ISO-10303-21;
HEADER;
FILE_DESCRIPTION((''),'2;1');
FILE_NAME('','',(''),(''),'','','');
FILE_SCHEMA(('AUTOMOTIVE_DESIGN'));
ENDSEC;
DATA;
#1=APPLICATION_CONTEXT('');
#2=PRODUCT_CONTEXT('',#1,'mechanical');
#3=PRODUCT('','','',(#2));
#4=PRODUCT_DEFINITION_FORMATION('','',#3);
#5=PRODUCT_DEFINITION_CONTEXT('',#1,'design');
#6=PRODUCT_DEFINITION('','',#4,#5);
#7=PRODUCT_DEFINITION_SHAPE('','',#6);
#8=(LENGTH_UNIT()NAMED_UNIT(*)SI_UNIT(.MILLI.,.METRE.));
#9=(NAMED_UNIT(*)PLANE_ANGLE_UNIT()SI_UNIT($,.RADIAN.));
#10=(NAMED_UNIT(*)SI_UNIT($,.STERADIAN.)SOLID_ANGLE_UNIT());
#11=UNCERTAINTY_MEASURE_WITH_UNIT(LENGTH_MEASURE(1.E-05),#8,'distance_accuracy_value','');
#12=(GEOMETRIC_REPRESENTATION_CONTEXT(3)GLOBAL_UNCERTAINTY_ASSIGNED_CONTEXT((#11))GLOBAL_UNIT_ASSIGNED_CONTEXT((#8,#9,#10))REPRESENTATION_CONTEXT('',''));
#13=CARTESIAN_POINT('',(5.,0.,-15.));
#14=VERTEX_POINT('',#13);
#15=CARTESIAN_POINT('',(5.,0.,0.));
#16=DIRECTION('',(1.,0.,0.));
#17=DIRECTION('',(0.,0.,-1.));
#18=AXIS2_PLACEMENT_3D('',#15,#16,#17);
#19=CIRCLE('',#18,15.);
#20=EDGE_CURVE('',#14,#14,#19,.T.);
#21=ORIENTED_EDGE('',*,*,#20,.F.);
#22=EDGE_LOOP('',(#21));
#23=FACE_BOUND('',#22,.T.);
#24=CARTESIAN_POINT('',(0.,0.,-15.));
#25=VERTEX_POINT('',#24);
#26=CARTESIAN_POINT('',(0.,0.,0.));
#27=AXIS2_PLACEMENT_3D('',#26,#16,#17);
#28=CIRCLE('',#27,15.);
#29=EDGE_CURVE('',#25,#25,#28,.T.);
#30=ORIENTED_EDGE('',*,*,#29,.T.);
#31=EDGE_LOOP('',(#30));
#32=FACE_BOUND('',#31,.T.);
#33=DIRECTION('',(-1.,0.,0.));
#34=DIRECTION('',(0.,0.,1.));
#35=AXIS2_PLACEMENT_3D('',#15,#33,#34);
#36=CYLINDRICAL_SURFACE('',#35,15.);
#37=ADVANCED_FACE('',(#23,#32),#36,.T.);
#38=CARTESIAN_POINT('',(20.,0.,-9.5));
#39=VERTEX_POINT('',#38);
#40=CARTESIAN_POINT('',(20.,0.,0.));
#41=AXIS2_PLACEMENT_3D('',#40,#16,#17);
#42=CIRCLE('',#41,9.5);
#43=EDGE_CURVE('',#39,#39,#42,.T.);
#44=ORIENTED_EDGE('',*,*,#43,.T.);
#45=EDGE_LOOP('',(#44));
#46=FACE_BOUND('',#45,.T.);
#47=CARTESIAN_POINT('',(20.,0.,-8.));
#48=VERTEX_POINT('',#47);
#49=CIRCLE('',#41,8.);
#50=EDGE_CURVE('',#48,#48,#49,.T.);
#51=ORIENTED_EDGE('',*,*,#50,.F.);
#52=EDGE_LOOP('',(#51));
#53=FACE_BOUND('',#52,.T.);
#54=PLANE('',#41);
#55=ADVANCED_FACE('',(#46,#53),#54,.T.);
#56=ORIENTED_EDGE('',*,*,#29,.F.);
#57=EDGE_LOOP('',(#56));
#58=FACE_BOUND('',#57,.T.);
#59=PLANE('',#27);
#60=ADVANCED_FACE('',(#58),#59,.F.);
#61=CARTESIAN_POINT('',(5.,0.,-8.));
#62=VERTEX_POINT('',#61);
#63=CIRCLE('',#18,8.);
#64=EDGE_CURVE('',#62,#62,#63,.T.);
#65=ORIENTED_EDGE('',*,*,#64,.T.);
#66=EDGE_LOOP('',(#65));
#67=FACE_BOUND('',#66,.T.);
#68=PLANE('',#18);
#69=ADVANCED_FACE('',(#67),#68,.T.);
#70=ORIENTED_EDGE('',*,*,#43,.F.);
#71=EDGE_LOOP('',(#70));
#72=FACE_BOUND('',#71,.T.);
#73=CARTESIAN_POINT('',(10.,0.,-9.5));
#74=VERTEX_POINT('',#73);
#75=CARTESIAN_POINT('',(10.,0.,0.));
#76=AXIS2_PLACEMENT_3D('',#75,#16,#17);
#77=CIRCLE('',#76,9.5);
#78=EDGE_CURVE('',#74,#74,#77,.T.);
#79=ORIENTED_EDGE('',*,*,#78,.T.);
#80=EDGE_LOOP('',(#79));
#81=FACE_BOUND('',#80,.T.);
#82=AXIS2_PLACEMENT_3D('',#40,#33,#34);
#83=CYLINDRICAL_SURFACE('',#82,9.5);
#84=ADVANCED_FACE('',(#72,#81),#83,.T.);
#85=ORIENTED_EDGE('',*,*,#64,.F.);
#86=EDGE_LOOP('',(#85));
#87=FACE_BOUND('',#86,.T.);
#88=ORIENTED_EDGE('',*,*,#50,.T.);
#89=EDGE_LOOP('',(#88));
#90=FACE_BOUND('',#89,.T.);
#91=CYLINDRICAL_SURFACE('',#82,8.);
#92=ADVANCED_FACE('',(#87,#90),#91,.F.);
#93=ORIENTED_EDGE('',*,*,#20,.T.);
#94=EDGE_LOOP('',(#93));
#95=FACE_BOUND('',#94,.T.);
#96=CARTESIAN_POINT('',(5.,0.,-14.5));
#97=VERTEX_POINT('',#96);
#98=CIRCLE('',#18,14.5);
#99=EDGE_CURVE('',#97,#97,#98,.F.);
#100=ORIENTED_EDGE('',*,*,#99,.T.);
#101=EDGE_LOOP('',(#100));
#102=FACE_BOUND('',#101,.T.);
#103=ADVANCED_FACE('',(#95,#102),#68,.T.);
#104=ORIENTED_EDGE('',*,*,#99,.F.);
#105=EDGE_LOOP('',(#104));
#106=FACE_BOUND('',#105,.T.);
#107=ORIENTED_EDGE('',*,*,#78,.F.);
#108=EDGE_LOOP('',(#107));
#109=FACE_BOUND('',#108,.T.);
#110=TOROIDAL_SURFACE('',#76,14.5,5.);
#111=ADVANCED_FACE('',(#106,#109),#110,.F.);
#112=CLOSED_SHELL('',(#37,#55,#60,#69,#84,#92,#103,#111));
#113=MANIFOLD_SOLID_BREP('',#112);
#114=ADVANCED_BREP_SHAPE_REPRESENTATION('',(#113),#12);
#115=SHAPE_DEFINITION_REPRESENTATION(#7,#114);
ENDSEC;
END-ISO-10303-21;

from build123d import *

# Parameters (mm, degrees)
SCHIZZO1_R                   = 9.5
SCHIZZO1_R_2                 = 8
ESTRUSIONE_ESTRUSIONE1_DEPTH = 20
SCHIZZO2_R                   = 15
ESTRUSIONE_ESTRUSIONE2_DEPTH = 5
RACCORDO1_R                  = 5


with BuildPart() as part:
    # Schizzo1 → Estrusione-Estrusione1 (new body)
    with BuildSketch(Plane(origin=(0, 0, 0), x_dir=(0, 0, -1), z_dir=(1, 0, 0))):
        Circle(SCHIZZO1_R)
        Circle(SCHIZZO1_R_2, mode=Mode.SUBTRACT)
    extrude(amount=ESTRUSIONE_ESTRUSIONE1_DEPTH)

    # Schizzo2 → Estrusione-Estrusione2 (add)
    with BuildSketch(Plane(origin=(0, 0, 0), x_dir=(0, 0, -1), z_dir=(1, 0, 0))):
        Circle(SCHIZZO2_R)
    extrude(amount=ESTRUSIONE_ESTRUSIONE2_DEPTH)

    # Raccordo1
    raccordo1_edges = [part.edges().sort_by_distance(p)[0] for p in [
        (5, 0, 9.5),
    ]]
    fillet(raccordo1_edges, radius=RACCORDO1_R)


solid = part.part
